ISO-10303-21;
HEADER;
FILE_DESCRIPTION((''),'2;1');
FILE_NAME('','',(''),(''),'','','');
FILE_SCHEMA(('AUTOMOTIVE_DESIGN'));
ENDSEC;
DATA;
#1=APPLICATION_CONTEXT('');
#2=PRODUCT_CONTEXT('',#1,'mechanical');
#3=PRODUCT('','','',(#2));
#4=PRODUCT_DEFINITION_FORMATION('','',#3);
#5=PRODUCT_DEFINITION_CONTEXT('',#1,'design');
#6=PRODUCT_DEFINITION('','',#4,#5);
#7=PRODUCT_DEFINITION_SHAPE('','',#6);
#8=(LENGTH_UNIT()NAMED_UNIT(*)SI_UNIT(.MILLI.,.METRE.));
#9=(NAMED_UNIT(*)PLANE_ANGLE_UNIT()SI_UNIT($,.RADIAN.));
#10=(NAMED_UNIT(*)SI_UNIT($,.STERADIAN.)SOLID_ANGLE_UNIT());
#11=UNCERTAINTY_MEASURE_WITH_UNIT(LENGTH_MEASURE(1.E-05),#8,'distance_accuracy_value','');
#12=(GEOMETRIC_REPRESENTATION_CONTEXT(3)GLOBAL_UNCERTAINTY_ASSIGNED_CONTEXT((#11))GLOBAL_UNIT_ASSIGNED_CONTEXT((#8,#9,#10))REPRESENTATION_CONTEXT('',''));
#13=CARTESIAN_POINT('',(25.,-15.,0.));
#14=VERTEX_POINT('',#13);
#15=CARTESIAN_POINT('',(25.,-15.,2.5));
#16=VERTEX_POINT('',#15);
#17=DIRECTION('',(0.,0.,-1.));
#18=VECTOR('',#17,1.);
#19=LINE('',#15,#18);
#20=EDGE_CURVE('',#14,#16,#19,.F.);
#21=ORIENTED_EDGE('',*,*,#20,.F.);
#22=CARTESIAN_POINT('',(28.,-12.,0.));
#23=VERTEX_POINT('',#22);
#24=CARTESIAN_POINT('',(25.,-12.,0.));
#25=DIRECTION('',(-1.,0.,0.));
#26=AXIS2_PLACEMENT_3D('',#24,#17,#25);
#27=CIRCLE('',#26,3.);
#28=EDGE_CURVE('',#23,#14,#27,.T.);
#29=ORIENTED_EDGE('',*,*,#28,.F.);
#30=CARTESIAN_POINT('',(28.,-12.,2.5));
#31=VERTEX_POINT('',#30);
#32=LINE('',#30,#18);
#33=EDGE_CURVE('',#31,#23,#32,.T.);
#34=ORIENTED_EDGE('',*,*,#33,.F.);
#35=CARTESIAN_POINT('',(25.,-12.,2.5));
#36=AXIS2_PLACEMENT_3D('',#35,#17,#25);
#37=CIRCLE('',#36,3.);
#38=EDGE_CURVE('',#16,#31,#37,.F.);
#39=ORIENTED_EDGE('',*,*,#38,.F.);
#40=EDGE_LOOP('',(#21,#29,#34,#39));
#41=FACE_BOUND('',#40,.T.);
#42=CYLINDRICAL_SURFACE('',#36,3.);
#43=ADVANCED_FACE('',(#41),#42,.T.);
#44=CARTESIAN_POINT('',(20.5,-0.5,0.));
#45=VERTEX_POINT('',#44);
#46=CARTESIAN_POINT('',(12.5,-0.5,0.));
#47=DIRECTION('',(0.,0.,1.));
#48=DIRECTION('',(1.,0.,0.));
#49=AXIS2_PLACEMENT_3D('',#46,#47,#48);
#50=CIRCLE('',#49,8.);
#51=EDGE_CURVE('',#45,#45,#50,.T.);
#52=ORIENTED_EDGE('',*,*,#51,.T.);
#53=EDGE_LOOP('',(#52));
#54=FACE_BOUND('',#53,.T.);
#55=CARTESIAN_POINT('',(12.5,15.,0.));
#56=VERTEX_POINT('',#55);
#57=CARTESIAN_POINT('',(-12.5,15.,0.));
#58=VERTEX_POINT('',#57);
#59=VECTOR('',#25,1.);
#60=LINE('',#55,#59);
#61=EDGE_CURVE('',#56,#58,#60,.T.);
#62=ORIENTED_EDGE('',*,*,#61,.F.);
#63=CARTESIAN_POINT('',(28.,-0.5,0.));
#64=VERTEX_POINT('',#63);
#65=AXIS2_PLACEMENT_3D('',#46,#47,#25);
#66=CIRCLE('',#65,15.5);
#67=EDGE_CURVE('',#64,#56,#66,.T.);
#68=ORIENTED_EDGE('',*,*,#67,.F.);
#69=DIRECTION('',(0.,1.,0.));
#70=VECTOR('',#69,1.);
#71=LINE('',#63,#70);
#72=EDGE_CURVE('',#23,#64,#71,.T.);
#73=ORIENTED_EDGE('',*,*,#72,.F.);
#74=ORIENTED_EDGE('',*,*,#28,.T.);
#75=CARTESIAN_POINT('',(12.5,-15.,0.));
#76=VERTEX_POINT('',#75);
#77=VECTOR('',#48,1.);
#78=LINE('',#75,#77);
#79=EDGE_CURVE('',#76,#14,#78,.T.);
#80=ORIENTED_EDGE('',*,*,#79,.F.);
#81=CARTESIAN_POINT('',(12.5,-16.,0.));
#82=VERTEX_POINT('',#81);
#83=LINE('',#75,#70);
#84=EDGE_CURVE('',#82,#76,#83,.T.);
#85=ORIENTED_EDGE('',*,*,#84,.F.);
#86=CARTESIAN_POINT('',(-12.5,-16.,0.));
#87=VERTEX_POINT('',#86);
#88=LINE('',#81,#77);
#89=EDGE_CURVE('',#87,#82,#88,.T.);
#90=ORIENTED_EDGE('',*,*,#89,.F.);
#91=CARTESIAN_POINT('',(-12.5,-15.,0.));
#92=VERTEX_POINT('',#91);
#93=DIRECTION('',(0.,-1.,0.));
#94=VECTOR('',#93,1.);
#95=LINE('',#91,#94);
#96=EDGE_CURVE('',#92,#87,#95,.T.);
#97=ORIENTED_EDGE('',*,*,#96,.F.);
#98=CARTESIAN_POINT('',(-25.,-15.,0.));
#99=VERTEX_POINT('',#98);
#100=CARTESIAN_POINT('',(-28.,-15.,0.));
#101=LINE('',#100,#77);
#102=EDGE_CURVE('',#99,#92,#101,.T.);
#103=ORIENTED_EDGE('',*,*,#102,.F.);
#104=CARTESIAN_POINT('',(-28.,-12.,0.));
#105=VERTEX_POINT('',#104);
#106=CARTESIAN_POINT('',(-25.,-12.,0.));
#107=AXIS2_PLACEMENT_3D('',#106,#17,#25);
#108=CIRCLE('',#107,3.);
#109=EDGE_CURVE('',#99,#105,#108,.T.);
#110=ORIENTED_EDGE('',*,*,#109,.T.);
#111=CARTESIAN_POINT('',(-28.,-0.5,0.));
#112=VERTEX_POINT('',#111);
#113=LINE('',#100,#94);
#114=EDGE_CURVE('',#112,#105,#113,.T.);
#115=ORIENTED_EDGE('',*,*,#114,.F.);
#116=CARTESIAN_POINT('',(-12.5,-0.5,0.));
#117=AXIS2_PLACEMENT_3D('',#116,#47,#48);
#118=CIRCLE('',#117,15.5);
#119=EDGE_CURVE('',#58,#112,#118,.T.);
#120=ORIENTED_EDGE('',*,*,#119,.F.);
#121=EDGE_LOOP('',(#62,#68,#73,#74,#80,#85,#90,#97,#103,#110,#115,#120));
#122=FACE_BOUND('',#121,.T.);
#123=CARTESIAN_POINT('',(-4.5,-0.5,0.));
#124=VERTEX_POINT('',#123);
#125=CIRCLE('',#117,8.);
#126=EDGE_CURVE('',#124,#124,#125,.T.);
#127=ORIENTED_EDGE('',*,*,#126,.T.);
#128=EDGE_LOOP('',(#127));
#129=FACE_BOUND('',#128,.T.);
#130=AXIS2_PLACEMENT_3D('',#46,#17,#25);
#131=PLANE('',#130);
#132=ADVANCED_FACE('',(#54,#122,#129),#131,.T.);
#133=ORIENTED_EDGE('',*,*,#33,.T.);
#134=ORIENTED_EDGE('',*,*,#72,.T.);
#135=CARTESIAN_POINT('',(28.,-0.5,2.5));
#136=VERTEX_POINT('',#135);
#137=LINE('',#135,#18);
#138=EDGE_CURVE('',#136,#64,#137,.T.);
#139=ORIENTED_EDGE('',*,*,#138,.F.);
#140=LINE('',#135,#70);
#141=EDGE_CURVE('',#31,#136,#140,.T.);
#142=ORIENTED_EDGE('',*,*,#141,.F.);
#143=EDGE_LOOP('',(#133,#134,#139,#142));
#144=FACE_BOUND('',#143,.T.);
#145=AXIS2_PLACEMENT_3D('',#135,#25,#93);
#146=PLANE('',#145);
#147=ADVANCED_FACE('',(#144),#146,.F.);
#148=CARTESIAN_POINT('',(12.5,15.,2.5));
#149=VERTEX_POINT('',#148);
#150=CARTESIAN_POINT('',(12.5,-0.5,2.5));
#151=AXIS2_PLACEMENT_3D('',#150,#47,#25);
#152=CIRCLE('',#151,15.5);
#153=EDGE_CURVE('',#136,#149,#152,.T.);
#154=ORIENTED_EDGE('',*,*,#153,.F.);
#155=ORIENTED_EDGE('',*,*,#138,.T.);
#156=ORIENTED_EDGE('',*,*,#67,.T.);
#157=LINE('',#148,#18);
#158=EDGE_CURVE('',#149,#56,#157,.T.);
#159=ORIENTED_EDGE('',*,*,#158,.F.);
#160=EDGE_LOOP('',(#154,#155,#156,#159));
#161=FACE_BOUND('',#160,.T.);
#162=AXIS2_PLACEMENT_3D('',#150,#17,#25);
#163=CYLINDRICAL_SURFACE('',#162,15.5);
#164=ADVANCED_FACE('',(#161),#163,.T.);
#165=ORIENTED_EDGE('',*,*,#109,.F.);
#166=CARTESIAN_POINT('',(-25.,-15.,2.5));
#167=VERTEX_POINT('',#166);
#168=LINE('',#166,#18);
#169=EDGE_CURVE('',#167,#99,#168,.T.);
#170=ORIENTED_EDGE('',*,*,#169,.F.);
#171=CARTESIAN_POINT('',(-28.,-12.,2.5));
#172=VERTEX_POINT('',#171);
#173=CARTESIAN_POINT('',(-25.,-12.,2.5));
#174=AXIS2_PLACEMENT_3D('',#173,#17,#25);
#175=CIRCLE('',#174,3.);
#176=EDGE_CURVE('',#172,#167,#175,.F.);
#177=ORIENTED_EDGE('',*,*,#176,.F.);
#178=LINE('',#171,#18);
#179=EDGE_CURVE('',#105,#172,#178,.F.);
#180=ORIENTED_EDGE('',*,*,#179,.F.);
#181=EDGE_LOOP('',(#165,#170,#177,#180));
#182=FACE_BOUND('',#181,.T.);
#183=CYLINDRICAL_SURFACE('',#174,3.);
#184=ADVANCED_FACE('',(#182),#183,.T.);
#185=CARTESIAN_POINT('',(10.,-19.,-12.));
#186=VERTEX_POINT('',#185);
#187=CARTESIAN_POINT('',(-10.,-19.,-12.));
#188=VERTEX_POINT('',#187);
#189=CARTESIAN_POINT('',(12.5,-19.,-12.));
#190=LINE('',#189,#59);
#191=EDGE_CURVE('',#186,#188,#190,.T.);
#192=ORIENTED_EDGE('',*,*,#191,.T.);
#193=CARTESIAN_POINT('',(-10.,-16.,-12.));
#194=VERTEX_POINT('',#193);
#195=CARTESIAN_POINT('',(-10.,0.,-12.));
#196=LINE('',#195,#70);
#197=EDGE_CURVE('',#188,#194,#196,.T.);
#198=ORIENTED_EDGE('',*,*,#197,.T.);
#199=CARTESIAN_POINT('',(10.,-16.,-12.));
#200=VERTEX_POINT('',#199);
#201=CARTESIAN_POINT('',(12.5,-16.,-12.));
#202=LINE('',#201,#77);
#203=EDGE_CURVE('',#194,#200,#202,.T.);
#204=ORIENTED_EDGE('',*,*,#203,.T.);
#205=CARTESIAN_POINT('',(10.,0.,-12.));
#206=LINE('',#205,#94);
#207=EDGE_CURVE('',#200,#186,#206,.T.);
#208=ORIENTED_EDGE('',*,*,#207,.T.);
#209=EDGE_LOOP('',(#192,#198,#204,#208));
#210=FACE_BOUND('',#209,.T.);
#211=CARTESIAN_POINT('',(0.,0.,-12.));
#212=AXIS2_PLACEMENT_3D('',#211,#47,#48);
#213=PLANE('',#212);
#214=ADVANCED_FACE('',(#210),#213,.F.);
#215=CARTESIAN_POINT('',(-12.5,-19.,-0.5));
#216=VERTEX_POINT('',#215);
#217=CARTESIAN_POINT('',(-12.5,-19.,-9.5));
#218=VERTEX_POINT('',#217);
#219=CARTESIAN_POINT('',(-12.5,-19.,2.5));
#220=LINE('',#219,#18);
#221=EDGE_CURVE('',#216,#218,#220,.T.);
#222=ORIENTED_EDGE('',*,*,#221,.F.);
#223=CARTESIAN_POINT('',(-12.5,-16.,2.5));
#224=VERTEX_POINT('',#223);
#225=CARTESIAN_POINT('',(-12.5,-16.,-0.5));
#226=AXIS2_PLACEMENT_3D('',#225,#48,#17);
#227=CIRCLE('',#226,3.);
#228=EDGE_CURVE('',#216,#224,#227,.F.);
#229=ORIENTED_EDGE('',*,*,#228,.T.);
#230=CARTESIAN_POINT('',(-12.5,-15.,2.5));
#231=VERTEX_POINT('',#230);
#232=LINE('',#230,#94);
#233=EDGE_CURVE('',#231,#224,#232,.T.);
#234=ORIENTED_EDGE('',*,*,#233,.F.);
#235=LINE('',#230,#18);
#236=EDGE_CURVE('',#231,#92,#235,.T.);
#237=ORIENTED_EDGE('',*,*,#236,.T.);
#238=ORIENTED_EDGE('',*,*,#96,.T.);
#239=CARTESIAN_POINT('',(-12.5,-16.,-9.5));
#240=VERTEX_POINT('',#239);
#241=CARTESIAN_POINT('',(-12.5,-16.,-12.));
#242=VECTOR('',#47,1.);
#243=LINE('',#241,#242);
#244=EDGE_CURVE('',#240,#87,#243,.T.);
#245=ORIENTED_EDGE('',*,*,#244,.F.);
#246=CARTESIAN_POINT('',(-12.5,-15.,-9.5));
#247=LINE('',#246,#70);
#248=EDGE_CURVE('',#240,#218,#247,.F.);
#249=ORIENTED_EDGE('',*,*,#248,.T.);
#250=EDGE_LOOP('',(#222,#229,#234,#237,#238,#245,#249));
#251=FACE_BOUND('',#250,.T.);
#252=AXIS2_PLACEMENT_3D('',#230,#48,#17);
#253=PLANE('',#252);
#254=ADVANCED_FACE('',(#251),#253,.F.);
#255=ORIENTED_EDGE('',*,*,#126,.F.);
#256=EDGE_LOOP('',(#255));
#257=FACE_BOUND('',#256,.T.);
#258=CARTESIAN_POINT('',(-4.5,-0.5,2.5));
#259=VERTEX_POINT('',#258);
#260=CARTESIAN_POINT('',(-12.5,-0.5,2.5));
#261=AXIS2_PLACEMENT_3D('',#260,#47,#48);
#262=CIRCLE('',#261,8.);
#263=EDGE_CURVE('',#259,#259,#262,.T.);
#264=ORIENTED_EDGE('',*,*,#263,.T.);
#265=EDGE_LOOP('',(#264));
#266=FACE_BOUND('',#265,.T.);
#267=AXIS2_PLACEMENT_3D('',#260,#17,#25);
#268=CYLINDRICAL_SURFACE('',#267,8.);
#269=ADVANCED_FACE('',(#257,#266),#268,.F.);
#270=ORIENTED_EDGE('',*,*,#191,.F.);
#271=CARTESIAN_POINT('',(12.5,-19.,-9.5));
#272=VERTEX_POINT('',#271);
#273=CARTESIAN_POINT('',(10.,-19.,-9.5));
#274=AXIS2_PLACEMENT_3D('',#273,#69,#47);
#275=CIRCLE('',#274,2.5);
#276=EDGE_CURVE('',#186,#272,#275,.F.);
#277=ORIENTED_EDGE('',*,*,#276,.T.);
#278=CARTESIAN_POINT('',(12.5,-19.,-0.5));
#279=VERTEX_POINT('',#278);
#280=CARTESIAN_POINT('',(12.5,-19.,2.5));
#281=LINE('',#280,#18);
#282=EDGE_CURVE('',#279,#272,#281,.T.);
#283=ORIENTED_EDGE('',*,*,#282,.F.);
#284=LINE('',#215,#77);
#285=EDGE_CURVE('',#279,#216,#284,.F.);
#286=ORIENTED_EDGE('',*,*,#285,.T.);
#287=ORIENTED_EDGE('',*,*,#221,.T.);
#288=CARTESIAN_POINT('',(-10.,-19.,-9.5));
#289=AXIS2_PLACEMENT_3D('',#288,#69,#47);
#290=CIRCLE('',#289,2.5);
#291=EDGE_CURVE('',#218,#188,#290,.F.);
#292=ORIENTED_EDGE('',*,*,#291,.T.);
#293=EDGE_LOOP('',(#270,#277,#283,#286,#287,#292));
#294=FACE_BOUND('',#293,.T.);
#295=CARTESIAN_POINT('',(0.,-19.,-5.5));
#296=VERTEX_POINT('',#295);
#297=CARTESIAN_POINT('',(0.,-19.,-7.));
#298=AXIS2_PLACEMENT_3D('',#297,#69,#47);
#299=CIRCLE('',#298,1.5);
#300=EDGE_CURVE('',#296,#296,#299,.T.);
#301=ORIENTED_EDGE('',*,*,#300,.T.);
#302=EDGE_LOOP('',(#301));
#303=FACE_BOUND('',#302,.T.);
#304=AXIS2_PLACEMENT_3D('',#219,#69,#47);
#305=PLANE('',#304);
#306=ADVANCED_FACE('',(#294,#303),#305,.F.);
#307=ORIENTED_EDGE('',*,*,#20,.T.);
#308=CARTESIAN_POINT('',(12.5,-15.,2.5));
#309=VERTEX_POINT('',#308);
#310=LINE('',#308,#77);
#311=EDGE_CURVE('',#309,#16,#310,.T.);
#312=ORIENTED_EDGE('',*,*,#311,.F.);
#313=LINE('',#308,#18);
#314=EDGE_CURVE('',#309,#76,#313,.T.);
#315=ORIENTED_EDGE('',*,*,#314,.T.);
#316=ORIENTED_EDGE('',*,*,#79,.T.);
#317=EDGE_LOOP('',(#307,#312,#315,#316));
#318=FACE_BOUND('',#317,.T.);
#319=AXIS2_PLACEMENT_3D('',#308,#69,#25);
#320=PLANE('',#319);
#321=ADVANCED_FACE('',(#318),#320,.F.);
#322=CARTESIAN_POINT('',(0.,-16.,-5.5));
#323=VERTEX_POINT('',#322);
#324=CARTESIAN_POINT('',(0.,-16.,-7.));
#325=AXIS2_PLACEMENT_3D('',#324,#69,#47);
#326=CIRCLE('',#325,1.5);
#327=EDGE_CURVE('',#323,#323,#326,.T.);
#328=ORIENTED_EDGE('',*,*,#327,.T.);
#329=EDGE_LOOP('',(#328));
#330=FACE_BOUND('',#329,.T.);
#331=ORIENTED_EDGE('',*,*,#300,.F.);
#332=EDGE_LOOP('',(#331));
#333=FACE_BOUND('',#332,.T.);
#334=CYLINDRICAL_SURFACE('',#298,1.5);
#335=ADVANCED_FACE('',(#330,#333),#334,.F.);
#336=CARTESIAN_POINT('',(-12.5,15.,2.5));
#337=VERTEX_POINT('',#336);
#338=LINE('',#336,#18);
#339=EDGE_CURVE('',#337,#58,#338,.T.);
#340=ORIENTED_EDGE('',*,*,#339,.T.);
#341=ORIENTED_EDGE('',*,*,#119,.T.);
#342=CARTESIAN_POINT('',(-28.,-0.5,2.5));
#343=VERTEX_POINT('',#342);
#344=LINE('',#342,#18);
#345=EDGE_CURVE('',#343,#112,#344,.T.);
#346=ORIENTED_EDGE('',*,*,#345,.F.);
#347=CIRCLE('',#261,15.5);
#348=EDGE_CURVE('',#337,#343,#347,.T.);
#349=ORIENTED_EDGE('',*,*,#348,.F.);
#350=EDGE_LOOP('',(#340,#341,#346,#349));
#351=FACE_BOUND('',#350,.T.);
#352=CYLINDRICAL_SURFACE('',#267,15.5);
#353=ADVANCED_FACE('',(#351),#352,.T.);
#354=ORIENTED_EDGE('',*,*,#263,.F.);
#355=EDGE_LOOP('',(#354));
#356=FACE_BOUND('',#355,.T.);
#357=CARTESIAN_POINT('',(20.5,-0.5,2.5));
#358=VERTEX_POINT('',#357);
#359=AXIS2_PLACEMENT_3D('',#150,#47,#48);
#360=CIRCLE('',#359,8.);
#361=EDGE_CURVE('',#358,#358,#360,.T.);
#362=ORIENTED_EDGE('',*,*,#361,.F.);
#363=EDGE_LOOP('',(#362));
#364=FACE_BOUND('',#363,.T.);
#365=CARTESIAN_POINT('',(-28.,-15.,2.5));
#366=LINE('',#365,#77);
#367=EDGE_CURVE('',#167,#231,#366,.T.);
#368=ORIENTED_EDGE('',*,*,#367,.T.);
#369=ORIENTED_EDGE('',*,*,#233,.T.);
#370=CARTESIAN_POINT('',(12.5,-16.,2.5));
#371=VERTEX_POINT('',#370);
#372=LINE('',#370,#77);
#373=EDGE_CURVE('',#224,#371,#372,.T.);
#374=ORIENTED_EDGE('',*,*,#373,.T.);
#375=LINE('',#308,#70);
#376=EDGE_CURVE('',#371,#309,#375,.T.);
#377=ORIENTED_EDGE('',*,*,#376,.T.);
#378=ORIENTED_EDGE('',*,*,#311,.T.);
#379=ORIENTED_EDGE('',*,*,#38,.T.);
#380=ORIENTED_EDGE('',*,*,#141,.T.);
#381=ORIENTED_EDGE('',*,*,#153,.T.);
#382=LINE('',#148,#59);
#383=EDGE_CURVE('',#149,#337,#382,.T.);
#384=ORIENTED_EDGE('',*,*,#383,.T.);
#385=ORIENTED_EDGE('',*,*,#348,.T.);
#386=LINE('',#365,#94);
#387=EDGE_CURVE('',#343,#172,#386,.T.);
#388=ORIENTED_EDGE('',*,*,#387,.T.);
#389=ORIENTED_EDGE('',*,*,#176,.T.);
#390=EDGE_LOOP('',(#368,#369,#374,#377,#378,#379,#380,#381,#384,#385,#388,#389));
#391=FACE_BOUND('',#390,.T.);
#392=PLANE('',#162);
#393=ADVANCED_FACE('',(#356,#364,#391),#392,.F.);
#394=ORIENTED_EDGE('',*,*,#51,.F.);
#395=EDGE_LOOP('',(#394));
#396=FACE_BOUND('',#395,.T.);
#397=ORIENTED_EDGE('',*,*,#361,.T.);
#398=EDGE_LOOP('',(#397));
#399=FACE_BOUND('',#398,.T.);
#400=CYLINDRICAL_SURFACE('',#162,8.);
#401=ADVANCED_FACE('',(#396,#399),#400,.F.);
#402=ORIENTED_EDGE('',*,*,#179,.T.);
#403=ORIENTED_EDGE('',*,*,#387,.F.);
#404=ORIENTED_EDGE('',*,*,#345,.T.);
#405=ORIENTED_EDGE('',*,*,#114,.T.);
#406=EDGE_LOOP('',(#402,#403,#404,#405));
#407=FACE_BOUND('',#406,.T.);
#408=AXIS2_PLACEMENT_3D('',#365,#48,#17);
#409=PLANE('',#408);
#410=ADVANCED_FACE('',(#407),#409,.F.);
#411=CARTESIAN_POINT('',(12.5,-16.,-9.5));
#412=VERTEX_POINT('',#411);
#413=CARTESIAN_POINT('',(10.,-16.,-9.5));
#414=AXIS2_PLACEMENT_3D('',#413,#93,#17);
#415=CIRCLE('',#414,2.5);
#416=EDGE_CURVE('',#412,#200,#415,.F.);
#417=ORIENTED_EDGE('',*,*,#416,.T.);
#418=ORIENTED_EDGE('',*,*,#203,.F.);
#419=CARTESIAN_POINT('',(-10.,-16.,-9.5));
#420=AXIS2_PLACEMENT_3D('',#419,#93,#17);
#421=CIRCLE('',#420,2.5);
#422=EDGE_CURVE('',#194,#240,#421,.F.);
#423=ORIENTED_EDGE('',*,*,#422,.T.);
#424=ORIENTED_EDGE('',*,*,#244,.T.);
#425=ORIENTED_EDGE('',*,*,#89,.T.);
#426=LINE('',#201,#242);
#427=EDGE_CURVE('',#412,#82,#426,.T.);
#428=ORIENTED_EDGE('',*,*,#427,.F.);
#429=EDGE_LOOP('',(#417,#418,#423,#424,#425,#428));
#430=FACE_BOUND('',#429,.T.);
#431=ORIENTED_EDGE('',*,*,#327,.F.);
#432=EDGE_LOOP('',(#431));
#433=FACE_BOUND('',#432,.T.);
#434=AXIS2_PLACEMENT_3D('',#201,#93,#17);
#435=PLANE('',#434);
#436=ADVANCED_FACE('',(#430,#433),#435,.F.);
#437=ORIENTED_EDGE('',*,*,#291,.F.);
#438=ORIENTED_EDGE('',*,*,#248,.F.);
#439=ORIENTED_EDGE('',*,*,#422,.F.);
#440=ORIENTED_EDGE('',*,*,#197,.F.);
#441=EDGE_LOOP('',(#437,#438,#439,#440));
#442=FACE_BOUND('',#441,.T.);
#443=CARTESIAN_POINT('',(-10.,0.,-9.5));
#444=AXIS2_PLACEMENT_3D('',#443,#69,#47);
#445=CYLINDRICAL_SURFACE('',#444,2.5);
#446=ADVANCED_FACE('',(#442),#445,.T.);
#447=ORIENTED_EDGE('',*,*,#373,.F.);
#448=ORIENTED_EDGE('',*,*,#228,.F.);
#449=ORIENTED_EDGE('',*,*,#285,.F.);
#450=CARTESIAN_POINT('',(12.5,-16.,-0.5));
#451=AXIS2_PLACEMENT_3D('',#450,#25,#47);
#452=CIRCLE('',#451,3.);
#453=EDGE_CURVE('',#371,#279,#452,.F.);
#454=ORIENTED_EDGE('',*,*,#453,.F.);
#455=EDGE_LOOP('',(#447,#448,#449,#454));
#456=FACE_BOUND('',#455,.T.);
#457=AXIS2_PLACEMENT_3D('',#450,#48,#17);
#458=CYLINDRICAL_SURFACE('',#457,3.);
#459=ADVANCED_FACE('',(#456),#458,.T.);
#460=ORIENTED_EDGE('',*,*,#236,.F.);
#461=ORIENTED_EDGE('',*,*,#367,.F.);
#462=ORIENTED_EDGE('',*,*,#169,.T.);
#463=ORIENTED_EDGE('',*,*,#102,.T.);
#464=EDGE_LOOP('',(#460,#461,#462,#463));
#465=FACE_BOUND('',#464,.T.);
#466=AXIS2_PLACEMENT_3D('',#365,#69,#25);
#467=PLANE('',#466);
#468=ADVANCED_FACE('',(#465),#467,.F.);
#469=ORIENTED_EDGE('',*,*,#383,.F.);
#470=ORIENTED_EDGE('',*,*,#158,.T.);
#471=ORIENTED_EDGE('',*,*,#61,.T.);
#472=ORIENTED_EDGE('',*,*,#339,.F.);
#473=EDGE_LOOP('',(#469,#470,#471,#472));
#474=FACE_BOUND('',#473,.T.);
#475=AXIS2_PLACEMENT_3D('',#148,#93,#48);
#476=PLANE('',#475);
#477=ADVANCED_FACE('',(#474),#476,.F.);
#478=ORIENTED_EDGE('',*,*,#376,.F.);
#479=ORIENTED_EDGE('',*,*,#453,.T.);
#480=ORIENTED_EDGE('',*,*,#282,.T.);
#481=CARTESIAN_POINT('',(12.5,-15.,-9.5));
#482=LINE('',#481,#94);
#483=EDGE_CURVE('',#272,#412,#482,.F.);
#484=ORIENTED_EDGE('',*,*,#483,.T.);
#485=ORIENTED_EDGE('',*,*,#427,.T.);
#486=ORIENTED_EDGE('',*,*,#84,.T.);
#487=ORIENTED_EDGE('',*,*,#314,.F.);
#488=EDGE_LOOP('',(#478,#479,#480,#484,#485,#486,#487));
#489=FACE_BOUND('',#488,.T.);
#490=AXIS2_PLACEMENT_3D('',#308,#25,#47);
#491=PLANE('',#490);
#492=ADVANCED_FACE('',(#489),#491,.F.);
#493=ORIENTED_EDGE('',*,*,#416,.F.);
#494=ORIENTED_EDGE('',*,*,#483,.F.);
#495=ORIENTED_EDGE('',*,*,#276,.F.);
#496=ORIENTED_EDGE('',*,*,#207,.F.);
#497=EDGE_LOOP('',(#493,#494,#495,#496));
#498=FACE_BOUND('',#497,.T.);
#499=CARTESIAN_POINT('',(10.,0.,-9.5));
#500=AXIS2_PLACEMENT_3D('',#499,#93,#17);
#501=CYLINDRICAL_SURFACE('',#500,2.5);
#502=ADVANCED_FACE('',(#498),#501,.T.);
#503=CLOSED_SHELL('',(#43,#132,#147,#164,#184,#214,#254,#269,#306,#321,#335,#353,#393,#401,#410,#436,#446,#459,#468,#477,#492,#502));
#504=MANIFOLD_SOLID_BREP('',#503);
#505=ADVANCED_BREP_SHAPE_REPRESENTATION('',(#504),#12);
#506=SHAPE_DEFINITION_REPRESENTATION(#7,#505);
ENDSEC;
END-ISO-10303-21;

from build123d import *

# Parameters (mm, degrees)
SKETCH1_R           = 8
BOSS_EXTRUDE1_DEPTH = 2.5
FILLET1_R           = 3
SKETCH2_W           = 25
SKETCH2_H           = 3
BOSS_EXTRUDE2_DEPTH = 12
FILLET2_R           = 2.5
FILLET3_R           = 3
SKETCH3_R           = 1.5
CUT_EXTRUDE1_DEPTH  = 44.462627624


with BuildPart() as part:
    # Sketch1 → Boss-Extrude1 (new body)
    with BuildSketch(Plane.XY):
        with BuildLine():
            Line((-28, -15), (-28, -0.5))
            ThreePointArc((-28, -0.5), (-23.460155108, 10.460155108), (-12.5, 15))
            Line((-12.5, 15), (12.5, 15))
            ThreePointArc((12.5, 15), (23.460155108, 10.460155108), (28, -0.5))
            Line((28, -0.5), (28, -15))
            Line((28, -15), (12.5, -15))
            Line((12.5, -15), (12.5, -19))
            Line((12.5, -19), (-12.5, -19))
            Line((-12.5, -19), (-12.5, -15))
            Line((-12.5, -15), (-28, -15))
        make_face()
        with Locations((12.5, -0.5)):
            Circle(SKETCH1_R, mode=Mode.SUBTRACT)
        with Locations((-12.5, -0.5)):
            Circle(SKETCH1_R, mode=Mode.SUBTRACT)
    extrude(amount=BOSS_EXTRUDE1_DEPTH)

    # Fillet1
    fillet1_edges = [part.edges().sort_by_distance(p)[0] for p in [
        (-28, -15, 1.25),
        (28, -15, 1.25),
    ]]
    fillet(fillet1_edges, radius=FILLET1_R)

    # Sketch2 → Boss-Extrude2 (add)
    with BuildSketch(Plane(origin=(0, 0, 0), x_dir=(-1, 0, 0), z_dir=(0, 0, -1))):
        with Locations((0, -17.5)):
            Rectangle(SKETCH2_W, SKETCH2_H)
    extrude(amount=BOSS_EXTRUDE2_DEPTH)

    # Fillet2
    fillet2_edges = [part.edges().sort_by_distance(p)[0] for p in [
        (12.5, -17.5, -12),
        (-12.5, -17.5, -12),
    ]]
    fillet(fillet2_edges, radius=FILLET2_R)

    # Fillet3
    fillet3_edges = [part.edges().sort_by_distance(p)[0] for p in [
        (0, -19, 2.5),
    ]]
    fillet(fillet3_edges, radius=FILLET3_R)

    # Sketch3 → Cut-Extrude1 (cut, through all)
    with BuildSketch(Plane(origin=(0, -16, 0), x_dir=(1, 0, 0), z_dir=(0, 1, 0))):
        with Locations(Location((0, 7, 0), (0, 0, 270))):
            Circle(SKETCH3_R)
    extrude(amount=-CUT_EXTRUDE1_DEPTH, mode=Mode.SUBTRACT)


solid = part.part
